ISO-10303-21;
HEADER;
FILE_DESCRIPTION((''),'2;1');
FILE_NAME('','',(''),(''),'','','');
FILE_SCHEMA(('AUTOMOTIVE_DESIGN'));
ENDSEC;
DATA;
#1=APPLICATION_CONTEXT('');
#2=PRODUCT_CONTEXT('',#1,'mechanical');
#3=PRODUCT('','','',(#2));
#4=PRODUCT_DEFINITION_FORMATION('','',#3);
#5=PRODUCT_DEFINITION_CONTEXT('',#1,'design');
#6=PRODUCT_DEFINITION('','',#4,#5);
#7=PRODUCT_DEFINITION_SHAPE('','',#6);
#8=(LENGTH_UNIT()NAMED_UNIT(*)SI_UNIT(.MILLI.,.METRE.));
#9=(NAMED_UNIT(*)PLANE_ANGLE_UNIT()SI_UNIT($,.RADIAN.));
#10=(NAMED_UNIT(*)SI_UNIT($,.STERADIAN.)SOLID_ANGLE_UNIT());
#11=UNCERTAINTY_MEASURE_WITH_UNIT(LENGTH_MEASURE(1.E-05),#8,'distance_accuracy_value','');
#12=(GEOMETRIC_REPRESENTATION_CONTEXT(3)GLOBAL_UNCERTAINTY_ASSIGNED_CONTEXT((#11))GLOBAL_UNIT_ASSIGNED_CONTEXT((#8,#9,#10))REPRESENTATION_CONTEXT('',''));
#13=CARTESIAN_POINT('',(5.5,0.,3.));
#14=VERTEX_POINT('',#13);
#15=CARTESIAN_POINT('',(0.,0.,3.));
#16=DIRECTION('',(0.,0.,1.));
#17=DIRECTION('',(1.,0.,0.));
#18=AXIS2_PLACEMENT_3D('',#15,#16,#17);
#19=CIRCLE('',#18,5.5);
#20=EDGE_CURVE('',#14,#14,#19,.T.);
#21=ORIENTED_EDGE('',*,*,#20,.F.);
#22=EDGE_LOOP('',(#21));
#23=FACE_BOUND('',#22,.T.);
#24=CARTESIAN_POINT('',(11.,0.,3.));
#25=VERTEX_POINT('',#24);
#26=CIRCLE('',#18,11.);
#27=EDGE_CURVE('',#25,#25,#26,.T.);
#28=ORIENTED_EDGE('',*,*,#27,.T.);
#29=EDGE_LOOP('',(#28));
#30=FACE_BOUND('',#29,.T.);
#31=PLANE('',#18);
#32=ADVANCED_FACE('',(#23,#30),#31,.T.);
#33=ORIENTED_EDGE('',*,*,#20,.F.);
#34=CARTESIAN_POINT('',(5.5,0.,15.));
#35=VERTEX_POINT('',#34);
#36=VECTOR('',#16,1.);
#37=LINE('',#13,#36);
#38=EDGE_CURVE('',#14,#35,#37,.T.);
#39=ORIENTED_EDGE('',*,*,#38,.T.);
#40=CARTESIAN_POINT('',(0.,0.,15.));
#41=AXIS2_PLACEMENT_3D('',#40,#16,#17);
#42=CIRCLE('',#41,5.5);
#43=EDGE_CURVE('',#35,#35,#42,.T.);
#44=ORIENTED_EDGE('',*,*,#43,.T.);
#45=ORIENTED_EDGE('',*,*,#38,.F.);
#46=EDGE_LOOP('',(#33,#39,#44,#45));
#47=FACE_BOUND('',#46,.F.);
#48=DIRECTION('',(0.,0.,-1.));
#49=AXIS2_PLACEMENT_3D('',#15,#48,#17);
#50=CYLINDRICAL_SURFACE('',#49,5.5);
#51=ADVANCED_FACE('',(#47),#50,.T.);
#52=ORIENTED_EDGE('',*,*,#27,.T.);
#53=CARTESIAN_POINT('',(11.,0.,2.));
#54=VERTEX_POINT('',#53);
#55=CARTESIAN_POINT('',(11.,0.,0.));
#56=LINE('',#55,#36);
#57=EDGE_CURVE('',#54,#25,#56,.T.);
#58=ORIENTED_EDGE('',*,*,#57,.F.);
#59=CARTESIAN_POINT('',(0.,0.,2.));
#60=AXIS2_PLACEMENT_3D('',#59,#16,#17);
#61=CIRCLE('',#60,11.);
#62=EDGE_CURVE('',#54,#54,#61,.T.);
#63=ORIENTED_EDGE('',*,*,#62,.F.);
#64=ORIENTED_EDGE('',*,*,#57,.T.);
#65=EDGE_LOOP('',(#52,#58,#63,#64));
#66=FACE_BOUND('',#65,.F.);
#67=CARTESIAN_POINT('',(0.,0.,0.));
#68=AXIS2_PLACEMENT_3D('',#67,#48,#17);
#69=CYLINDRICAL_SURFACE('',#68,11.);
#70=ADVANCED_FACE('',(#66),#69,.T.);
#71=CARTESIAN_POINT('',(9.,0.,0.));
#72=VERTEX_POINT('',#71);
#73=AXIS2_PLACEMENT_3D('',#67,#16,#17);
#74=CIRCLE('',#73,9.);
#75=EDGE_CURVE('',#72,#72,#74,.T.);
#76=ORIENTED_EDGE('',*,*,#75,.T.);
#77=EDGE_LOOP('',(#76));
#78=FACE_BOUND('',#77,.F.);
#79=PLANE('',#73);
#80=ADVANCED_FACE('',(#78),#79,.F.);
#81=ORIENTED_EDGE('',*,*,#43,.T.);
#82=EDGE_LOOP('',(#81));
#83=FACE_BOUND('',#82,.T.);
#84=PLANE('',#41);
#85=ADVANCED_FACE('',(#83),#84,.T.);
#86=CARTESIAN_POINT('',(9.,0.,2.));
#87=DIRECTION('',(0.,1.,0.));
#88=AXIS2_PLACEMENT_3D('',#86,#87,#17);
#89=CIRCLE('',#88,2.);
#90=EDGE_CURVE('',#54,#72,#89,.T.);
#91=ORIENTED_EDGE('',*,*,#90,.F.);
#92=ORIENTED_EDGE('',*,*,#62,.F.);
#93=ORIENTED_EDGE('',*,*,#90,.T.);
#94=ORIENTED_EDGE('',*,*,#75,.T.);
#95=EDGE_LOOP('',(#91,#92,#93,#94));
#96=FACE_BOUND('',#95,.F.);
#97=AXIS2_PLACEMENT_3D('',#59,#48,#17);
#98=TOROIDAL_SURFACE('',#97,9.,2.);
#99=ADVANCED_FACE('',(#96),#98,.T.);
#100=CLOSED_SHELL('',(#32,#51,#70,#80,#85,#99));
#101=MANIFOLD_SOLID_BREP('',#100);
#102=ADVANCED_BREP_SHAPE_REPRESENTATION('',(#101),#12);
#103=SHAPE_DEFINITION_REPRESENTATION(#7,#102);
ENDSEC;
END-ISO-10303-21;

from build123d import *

# Parameters (mm, degrees)
SKETCH1_R           = 11
BOSS_EXTRUDE1_DEPTH = 3
SKETCH2_R           = 5.5
BOSS_EXTRUDE2_DEPTH = 12
FILLET1_R           = 2


with BuildPart() as part:
    # Sketch1 → Boss-Extrude1 (new body)
    with BuildSketch(Plane.XY):
        Circle(SKETCH1_R)
    extrude(amount=BOSS_EXTRUDE1_DEPTH)

    # Sketch2 → Boss-Extrude2 (add)
    with BuildSketch(Plane.XY.offset(3)):
        Circle(SKETCH2_R)
    extrude(amount=BOSS_EXTRUDE2_DEPTH)

    # Fillet1
    fillet1_edges = [part.edges().sort_by_distance(p)[0] for p in [
        (-11, 0, 0),
    ]]
    fillet(fillet1_edges, radius=FILLET1_R)


solid = part.part
